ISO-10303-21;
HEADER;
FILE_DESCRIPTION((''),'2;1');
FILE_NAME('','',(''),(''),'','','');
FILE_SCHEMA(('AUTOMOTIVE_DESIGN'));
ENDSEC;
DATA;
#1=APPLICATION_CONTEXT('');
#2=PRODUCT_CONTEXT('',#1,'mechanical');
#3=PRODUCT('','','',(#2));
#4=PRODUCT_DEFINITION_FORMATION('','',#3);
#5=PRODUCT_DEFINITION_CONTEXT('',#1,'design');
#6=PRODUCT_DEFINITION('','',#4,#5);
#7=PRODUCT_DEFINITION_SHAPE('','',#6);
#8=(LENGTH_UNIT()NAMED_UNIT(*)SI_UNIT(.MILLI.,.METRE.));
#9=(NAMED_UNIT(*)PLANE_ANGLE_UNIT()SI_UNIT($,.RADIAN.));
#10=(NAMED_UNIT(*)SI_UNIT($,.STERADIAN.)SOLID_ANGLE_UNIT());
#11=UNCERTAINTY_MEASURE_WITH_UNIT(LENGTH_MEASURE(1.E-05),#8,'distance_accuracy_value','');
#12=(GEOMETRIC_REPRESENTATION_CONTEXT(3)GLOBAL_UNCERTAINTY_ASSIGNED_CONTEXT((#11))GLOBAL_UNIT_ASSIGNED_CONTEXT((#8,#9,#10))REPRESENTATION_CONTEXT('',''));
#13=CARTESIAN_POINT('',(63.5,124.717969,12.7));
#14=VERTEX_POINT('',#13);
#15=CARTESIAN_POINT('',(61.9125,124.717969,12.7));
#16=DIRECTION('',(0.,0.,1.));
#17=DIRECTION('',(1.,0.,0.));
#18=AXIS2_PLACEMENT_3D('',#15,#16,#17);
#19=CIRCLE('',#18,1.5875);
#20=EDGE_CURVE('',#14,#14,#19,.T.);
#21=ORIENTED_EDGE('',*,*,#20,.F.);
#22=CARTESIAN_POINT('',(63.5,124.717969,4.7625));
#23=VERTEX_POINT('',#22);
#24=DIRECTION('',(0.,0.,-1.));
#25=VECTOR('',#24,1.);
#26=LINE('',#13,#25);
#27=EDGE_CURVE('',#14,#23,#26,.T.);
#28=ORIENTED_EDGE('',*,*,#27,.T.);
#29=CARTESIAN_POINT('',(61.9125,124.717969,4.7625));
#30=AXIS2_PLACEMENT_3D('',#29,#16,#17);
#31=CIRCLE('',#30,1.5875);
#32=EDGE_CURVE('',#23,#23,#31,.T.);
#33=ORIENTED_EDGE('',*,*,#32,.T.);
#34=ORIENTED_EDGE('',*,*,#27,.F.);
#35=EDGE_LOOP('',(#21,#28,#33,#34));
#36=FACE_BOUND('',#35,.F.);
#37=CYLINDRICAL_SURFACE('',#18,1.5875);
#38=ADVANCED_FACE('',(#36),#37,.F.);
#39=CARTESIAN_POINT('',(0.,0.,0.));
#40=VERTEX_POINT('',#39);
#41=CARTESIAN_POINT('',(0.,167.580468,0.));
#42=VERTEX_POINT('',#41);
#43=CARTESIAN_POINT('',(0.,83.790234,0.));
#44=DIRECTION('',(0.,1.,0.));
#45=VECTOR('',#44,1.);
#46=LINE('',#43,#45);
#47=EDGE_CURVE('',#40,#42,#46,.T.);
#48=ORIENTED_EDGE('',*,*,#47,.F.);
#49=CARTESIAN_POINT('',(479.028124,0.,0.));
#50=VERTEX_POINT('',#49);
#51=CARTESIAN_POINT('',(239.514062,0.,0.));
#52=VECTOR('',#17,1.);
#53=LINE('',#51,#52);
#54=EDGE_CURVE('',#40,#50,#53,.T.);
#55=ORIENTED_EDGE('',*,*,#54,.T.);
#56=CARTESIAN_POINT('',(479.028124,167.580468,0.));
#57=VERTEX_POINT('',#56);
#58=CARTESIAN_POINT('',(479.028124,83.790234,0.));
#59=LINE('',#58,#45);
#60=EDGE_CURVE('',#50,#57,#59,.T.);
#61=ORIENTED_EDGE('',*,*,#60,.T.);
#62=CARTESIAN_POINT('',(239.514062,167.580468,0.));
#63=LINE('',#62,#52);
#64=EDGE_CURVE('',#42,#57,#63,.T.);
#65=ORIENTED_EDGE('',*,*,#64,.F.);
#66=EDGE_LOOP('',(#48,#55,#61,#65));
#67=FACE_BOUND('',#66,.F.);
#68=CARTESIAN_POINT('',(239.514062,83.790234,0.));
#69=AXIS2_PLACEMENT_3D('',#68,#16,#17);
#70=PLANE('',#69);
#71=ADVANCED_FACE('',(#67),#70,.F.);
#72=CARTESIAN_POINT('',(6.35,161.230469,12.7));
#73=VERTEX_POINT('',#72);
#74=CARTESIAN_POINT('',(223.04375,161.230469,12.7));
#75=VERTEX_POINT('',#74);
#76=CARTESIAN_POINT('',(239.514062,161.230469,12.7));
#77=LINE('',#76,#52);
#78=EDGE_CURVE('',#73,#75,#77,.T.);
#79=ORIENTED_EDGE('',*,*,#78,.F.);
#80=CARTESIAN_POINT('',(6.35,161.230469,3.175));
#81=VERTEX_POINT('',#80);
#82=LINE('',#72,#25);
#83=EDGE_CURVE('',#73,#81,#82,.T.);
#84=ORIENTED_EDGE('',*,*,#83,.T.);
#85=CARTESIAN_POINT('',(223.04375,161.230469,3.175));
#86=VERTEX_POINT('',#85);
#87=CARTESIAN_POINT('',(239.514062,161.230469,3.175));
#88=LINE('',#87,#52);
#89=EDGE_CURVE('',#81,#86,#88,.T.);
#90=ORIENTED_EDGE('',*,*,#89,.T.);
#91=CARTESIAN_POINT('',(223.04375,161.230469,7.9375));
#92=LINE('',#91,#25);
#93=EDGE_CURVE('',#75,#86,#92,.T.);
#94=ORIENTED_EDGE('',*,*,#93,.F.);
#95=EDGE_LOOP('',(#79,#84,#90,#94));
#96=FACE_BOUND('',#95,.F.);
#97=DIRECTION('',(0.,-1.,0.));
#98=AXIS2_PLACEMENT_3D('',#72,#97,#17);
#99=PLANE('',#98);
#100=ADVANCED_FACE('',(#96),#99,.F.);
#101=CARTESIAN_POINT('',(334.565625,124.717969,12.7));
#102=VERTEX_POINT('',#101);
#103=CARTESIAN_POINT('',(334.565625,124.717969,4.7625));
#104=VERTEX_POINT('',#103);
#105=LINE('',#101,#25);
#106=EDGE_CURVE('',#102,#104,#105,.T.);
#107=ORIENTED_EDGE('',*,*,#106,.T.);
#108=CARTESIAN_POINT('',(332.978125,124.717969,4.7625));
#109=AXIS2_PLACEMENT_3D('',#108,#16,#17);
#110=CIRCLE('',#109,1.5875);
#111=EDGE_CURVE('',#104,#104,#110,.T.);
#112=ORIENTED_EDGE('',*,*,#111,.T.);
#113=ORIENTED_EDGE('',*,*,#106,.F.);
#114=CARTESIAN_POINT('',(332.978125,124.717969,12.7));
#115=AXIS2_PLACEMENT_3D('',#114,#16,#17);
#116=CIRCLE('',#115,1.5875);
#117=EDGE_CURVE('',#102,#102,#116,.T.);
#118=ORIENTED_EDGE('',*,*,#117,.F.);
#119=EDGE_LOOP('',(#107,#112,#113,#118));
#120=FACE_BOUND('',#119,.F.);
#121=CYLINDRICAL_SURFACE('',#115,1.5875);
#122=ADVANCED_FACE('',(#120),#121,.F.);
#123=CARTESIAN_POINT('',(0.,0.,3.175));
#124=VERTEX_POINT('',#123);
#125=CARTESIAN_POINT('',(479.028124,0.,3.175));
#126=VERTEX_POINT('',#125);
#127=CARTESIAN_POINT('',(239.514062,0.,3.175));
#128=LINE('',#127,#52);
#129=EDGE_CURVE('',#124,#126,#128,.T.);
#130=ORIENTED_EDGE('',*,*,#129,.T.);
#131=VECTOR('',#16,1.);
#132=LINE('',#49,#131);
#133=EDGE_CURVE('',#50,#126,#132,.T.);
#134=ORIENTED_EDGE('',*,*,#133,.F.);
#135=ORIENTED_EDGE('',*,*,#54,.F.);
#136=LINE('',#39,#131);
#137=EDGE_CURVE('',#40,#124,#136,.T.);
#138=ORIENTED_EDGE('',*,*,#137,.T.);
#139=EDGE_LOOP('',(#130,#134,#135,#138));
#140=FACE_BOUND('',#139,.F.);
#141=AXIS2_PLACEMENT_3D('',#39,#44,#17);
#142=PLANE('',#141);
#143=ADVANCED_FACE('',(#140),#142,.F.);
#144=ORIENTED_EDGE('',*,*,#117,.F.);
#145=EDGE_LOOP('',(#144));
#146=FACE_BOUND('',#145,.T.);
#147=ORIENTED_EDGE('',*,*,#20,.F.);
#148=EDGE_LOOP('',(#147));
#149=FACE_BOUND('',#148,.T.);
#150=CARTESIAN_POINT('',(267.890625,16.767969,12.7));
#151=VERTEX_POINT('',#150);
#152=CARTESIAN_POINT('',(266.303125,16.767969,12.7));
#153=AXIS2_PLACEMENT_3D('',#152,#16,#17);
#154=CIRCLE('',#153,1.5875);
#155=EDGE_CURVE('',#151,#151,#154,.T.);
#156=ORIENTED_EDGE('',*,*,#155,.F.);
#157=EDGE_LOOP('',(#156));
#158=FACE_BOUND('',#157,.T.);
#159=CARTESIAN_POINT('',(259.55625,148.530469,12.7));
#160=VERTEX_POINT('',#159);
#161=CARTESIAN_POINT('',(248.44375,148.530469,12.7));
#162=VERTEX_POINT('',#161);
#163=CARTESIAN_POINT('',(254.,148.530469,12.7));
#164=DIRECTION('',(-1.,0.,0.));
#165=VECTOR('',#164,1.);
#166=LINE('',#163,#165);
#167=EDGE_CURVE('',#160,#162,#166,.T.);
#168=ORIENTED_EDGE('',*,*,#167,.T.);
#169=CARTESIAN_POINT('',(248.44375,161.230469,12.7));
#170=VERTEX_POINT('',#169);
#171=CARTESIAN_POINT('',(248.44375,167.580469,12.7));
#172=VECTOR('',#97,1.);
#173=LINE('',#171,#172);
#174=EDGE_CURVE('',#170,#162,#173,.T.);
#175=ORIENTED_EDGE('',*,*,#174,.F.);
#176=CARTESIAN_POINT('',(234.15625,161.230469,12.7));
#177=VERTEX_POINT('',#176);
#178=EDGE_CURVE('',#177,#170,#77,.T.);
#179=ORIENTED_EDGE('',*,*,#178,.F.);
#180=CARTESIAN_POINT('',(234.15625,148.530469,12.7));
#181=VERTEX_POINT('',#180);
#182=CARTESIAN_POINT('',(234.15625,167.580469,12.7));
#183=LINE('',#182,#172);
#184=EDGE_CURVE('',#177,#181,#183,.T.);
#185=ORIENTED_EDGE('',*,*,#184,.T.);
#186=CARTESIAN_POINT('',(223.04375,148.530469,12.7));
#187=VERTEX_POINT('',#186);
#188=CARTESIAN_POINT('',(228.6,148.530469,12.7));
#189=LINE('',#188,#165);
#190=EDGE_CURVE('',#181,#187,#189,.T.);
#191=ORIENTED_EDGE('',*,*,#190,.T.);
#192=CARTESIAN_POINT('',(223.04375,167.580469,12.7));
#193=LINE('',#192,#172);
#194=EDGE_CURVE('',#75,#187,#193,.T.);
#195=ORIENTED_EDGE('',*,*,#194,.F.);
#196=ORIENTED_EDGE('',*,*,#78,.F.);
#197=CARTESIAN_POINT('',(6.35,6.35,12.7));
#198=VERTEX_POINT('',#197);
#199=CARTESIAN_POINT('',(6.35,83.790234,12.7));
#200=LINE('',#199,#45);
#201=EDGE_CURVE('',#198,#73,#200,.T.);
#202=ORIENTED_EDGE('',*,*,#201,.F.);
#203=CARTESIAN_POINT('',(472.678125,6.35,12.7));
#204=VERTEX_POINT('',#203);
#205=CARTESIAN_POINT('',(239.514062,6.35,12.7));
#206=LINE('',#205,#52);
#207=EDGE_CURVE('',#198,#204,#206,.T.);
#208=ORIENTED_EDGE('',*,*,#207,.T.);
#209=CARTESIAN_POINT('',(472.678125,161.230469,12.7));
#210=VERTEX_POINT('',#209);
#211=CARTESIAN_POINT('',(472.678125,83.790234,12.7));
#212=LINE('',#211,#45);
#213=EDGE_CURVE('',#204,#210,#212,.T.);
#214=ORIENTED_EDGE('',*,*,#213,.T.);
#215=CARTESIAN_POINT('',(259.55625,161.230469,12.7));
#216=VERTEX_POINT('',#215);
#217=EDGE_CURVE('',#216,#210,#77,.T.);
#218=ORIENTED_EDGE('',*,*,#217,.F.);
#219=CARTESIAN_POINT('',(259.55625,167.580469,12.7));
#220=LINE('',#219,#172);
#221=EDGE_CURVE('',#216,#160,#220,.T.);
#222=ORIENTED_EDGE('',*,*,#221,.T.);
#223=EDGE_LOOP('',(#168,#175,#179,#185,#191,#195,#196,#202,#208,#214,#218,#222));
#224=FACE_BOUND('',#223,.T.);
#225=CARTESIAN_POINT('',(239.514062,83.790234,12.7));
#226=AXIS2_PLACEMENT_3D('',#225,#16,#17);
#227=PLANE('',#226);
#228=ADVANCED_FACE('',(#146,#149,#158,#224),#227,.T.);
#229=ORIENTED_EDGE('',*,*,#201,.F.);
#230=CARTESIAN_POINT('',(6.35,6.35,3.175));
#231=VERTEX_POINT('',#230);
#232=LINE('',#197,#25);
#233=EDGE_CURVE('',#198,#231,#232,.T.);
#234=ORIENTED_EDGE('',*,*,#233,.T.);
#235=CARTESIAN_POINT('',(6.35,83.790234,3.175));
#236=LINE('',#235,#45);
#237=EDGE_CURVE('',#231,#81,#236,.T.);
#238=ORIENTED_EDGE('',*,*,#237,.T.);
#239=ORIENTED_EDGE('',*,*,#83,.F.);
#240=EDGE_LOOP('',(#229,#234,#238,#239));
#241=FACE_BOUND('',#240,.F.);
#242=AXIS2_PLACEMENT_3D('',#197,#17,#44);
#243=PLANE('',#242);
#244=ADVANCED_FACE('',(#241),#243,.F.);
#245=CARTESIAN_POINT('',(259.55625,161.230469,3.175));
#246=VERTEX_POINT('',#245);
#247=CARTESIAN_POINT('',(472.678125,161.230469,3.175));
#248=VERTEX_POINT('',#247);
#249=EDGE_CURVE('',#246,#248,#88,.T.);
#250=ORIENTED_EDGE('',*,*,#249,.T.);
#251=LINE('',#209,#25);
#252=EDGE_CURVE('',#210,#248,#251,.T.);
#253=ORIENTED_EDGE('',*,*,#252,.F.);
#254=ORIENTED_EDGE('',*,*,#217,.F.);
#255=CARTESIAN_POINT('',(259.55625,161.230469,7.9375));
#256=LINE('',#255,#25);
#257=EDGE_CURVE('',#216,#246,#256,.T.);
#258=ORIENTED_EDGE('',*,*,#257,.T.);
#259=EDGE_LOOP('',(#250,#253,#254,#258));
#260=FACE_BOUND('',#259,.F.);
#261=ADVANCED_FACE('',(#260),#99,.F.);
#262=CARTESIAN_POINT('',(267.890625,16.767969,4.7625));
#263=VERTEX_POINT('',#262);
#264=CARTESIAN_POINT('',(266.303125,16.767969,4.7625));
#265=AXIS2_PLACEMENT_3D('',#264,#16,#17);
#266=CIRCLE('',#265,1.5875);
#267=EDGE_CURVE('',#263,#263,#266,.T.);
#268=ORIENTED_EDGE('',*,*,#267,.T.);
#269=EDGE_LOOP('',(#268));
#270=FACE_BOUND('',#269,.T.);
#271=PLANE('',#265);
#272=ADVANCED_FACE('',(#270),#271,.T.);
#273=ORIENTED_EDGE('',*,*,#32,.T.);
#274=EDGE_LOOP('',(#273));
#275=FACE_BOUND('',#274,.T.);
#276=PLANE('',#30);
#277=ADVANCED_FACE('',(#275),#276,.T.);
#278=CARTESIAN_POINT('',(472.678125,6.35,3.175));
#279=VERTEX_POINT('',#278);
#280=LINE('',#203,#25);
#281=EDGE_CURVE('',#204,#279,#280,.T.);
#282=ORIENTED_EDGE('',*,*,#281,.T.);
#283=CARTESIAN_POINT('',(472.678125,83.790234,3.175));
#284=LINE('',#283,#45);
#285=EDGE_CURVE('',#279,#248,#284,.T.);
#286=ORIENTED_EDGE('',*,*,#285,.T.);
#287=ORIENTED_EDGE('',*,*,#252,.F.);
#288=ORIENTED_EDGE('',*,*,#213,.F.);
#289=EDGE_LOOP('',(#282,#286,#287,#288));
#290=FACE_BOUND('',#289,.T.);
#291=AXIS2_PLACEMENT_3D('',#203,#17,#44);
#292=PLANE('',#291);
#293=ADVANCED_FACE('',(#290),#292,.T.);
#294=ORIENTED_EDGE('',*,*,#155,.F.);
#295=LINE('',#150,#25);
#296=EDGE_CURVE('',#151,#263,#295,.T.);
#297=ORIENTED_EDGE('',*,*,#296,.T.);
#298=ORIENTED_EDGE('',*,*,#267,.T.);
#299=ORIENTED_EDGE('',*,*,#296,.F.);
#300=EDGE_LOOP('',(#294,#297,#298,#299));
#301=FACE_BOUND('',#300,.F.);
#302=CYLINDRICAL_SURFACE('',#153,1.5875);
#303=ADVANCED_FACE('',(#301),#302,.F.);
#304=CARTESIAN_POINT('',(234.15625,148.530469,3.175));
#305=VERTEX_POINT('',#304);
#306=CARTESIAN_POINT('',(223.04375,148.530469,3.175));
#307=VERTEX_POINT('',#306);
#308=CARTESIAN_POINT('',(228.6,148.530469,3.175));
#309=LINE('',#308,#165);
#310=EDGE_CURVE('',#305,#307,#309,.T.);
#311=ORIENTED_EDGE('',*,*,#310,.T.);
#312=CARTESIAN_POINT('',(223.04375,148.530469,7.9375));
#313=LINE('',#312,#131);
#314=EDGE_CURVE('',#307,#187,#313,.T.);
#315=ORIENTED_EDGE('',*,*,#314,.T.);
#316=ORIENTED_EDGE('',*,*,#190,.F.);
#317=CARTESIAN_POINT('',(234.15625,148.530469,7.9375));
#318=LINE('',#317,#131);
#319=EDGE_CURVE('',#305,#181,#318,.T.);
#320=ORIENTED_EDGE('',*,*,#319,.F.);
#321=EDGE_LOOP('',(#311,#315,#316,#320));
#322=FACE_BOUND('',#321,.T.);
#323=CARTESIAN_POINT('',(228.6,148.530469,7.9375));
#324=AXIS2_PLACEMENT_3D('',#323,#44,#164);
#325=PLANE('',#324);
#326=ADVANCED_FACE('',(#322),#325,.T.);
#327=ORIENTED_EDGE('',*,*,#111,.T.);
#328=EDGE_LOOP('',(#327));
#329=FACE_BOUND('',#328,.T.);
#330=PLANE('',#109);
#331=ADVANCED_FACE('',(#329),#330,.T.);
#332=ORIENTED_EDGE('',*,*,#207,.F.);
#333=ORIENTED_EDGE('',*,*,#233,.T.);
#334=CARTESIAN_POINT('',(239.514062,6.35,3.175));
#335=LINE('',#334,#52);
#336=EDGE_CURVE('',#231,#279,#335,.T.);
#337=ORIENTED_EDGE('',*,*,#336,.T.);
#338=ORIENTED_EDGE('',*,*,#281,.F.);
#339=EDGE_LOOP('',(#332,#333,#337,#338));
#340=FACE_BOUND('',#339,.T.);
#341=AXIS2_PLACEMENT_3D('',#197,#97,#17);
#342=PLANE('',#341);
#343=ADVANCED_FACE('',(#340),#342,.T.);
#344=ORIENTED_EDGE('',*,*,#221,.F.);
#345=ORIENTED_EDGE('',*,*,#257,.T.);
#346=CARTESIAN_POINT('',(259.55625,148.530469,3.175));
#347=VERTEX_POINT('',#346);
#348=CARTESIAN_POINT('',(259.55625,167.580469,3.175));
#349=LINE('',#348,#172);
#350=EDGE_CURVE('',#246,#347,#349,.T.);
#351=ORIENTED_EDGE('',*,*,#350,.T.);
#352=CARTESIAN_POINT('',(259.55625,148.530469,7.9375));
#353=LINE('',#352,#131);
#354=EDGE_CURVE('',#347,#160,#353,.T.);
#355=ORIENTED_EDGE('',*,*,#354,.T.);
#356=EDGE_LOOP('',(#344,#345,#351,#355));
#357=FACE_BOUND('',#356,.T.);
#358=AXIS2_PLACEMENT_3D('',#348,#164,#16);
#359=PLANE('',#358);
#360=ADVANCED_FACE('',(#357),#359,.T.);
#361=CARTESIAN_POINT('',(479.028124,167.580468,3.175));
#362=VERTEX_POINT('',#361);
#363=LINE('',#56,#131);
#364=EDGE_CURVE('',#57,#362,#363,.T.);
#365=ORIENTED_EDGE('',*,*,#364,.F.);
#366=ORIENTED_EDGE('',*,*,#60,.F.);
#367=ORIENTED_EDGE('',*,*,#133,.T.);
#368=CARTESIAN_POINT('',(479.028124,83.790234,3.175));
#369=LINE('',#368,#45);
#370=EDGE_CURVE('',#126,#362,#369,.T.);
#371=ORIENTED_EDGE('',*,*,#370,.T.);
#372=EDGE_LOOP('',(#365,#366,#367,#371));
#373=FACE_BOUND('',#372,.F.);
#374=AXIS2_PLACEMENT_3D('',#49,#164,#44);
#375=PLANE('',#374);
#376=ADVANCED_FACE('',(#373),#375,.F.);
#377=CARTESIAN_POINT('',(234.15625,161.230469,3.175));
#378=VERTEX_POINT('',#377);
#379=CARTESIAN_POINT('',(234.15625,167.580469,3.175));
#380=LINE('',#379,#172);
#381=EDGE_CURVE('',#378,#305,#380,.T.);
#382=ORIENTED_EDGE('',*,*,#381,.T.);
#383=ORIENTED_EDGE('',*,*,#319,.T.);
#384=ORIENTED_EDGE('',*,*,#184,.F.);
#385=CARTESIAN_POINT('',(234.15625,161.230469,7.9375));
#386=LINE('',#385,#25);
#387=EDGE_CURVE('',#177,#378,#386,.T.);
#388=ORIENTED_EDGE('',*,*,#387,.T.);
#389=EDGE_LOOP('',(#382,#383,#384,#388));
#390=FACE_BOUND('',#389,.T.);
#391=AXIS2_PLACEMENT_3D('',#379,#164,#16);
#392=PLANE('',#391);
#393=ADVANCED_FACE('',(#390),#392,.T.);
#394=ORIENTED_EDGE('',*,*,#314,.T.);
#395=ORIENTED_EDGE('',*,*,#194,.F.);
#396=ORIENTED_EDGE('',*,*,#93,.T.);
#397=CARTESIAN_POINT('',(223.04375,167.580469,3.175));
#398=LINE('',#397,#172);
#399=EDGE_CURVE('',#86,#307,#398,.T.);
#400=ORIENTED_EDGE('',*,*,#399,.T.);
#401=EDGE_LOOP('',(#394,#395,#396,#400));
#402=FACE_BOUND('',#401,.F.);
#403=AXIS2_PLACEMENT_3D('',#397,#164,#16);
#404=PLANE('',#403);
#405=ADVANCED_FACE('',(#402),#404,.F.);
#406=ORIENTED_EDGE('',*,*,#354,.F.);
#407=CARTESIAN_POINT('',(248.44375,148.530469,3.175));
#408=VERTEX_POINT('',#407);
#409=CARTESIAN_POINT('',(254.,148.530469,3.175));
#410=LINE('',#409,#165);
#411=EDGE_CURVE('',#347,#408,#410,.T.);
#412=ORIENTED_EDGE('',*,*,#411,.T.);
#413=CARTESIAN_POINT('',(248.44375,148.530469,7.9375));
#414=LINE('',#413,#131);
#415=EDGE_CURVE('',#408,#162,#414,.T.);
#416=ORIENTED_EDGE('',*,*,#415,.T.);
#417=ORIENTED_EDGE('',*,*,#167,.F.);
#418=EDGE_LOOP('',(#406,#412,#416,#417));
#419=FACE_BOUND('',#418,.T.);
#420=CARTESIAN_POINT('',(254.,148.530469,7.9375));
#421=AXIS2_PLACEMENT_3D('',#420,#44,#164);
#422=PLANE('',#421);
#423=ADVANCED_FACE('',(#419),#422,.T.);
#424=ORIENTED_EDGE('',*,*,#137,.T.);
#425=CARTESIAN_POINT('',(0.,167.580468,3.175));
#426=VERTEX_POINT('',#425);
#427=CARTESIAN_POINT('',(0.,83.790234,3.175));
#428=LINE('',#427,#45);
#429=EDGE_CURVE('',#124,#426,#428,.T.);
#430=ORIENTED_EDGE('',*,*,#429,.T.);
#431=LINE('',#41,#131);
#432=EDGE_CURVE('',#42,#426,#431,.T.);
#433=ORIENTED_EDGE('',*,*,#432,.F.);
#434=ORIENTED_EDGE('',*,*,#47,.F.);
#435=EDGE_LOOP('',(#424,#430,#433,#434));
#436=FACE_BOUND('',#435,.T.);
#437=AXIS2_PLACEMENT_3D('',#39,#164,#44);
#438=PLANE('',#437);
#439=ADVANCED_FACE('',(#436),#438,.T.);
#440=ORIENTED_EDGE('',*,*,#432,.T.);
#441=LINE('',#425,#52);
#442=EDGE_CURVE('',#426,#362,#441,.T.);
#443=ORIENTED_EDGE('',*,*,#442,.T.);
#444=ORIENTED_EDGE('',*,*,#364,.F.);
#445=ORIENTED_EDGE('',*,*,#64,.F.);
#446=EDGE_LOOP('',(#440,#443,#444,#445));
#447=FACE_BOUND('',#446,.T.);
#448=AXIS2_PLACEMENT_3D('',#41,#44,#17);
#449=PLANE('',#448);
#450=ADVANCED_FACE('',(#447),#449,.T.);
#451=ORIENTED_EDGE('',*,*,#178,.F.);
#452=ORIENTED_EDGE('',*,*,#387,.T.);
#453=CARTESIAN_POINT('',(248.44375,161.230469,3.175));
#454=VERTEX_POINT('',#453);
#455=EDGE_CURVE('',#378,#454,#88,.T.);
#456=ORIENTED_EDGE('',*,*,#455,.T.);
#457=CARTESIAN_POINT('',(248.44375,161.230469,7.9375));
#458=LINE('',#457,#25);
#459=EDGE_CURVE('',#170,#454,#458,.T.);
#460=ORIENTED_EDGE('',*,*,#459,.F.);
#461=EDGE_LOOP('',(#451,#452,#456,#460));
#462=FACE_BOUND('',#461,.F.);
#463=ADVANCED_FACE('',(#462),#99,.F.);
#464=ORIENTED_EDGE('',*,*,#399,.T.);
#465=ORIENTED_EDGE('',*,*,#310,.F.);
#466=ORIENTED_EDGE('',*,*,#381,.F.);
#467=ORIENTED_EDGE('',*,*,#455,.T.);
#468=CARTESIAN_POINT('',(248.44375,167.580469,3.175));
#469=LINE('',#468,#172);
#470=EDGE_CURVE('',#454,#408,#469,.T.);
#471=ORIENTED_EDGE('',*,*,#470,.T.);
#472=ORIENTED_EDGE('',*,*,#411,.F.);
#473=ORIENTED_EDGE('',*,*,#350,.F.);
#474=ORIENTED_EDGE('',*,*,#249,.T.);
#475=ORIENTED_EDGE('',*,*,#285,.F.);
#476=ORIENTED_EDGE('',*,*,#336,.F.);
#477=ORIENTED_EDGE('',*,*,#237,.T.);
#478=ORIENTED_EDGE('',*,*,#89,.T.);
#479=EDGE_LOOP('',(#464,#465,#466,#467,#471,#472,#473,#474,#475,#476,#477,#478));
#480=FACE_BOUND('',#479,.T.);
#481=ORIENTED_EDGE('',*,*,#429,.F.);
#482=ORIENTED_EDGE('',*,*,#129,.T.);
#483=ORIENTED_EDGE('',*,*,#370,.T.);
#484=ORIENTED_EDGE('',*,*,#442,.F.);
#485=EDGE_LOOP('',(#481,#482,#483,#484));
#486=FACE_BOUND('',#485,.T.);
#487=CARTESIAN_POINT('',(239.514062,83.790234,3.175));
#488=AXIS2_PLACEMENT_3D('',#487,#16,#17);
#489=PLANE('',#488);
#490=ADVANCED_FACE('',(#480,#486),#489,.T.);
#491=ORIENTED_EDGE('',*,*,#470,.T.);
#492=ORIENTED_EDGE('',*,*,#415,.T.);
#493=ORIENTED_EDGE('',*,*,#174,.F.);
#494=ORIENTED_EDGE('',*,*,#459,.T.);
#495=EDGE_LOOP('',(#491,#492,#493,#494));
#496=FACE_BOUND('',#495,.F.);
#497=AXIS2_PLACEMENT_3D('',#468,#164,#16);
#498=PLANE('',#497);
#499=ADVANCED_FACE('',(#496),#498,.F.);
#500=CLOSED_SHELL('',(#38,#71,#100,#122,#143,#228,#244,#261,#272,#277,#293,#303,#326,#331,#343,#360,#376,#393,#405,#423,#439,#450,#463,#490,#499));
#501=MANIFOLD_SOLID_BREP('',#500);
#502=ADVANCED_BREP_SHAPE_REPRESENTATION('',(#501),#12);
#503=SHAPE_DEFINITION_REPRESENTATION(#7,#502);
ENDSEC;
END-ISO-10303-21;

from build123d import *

# Parameters (mm, degrees)
F0_W     = 479.028125
F0_H     = 167.580469
F1_DEPTH = 12.7
F2_W     = 479.028125
F2_H     = 167.580469
F2_W_2   = 466.328125
F2_H_2   = 154.880469
F3_DEPTH = 9.525
F4_W     = 11.1125
F4_H     = 9.525
F5_DEPTH = 19.05
F6_R     = 1.5875
F7_DEPTH = 7.9375


with BuildPart() as f1:
    # F0 (on Top) → F1 (new body)
    with BuildSketch(Plane.XY):
        with Locations((239.514062, 83.790234)):
            Rectangle(F0_W, F0_H)
    extrude(amount=F1_DEPTH)

    # F2 (on face) → F3 (cut)
    with BuildSketch(Plane.XY.offset(12.7)):
        with Locations((239.514062, 83.790234)):
            Rectangle(F2_W, F2_H)
        with Locations((239.514062, 83.790234)):
            Rectangle(F2_W_2, F2_H_2, mode=Mode.SUBTRACT)
    extrude(amount=-F3_DEPTH, mode=Mode.SUBTRACT)

    # F4 (on face) → F5 (cut)
    with BuildSketch(Plane(origin=(0, 167.580469, 0), x_dir=(-1, 0, 0), z_dir=(0, 1, 0))):
        with Locations((-228.6, 7.9375)):
            Rectangle(F4_W, F4_H)
        with Locations((-254, 7.9375)):
            Rectangle(F4_W, F4_H)
    extrude(amount=-F5_DEPTH, mode=Mode.SUBTRACT)

    # F6 (on face) → F7 (cut)
    with BuildSketch(Plane.XY.offset(12.7)):
        with Locations((61.9125, 124.717969)):
            Circle(F6_R)
        with Locations((332.978125, 124.717969)):
            Circle(F6_R)
        with Locations((266.303125, 16.767969)):
            Circle(F6_R)
    extrude(amount=-F7_DEPTH, mode=Mode.SUBTRACT)


solid = f1.part
